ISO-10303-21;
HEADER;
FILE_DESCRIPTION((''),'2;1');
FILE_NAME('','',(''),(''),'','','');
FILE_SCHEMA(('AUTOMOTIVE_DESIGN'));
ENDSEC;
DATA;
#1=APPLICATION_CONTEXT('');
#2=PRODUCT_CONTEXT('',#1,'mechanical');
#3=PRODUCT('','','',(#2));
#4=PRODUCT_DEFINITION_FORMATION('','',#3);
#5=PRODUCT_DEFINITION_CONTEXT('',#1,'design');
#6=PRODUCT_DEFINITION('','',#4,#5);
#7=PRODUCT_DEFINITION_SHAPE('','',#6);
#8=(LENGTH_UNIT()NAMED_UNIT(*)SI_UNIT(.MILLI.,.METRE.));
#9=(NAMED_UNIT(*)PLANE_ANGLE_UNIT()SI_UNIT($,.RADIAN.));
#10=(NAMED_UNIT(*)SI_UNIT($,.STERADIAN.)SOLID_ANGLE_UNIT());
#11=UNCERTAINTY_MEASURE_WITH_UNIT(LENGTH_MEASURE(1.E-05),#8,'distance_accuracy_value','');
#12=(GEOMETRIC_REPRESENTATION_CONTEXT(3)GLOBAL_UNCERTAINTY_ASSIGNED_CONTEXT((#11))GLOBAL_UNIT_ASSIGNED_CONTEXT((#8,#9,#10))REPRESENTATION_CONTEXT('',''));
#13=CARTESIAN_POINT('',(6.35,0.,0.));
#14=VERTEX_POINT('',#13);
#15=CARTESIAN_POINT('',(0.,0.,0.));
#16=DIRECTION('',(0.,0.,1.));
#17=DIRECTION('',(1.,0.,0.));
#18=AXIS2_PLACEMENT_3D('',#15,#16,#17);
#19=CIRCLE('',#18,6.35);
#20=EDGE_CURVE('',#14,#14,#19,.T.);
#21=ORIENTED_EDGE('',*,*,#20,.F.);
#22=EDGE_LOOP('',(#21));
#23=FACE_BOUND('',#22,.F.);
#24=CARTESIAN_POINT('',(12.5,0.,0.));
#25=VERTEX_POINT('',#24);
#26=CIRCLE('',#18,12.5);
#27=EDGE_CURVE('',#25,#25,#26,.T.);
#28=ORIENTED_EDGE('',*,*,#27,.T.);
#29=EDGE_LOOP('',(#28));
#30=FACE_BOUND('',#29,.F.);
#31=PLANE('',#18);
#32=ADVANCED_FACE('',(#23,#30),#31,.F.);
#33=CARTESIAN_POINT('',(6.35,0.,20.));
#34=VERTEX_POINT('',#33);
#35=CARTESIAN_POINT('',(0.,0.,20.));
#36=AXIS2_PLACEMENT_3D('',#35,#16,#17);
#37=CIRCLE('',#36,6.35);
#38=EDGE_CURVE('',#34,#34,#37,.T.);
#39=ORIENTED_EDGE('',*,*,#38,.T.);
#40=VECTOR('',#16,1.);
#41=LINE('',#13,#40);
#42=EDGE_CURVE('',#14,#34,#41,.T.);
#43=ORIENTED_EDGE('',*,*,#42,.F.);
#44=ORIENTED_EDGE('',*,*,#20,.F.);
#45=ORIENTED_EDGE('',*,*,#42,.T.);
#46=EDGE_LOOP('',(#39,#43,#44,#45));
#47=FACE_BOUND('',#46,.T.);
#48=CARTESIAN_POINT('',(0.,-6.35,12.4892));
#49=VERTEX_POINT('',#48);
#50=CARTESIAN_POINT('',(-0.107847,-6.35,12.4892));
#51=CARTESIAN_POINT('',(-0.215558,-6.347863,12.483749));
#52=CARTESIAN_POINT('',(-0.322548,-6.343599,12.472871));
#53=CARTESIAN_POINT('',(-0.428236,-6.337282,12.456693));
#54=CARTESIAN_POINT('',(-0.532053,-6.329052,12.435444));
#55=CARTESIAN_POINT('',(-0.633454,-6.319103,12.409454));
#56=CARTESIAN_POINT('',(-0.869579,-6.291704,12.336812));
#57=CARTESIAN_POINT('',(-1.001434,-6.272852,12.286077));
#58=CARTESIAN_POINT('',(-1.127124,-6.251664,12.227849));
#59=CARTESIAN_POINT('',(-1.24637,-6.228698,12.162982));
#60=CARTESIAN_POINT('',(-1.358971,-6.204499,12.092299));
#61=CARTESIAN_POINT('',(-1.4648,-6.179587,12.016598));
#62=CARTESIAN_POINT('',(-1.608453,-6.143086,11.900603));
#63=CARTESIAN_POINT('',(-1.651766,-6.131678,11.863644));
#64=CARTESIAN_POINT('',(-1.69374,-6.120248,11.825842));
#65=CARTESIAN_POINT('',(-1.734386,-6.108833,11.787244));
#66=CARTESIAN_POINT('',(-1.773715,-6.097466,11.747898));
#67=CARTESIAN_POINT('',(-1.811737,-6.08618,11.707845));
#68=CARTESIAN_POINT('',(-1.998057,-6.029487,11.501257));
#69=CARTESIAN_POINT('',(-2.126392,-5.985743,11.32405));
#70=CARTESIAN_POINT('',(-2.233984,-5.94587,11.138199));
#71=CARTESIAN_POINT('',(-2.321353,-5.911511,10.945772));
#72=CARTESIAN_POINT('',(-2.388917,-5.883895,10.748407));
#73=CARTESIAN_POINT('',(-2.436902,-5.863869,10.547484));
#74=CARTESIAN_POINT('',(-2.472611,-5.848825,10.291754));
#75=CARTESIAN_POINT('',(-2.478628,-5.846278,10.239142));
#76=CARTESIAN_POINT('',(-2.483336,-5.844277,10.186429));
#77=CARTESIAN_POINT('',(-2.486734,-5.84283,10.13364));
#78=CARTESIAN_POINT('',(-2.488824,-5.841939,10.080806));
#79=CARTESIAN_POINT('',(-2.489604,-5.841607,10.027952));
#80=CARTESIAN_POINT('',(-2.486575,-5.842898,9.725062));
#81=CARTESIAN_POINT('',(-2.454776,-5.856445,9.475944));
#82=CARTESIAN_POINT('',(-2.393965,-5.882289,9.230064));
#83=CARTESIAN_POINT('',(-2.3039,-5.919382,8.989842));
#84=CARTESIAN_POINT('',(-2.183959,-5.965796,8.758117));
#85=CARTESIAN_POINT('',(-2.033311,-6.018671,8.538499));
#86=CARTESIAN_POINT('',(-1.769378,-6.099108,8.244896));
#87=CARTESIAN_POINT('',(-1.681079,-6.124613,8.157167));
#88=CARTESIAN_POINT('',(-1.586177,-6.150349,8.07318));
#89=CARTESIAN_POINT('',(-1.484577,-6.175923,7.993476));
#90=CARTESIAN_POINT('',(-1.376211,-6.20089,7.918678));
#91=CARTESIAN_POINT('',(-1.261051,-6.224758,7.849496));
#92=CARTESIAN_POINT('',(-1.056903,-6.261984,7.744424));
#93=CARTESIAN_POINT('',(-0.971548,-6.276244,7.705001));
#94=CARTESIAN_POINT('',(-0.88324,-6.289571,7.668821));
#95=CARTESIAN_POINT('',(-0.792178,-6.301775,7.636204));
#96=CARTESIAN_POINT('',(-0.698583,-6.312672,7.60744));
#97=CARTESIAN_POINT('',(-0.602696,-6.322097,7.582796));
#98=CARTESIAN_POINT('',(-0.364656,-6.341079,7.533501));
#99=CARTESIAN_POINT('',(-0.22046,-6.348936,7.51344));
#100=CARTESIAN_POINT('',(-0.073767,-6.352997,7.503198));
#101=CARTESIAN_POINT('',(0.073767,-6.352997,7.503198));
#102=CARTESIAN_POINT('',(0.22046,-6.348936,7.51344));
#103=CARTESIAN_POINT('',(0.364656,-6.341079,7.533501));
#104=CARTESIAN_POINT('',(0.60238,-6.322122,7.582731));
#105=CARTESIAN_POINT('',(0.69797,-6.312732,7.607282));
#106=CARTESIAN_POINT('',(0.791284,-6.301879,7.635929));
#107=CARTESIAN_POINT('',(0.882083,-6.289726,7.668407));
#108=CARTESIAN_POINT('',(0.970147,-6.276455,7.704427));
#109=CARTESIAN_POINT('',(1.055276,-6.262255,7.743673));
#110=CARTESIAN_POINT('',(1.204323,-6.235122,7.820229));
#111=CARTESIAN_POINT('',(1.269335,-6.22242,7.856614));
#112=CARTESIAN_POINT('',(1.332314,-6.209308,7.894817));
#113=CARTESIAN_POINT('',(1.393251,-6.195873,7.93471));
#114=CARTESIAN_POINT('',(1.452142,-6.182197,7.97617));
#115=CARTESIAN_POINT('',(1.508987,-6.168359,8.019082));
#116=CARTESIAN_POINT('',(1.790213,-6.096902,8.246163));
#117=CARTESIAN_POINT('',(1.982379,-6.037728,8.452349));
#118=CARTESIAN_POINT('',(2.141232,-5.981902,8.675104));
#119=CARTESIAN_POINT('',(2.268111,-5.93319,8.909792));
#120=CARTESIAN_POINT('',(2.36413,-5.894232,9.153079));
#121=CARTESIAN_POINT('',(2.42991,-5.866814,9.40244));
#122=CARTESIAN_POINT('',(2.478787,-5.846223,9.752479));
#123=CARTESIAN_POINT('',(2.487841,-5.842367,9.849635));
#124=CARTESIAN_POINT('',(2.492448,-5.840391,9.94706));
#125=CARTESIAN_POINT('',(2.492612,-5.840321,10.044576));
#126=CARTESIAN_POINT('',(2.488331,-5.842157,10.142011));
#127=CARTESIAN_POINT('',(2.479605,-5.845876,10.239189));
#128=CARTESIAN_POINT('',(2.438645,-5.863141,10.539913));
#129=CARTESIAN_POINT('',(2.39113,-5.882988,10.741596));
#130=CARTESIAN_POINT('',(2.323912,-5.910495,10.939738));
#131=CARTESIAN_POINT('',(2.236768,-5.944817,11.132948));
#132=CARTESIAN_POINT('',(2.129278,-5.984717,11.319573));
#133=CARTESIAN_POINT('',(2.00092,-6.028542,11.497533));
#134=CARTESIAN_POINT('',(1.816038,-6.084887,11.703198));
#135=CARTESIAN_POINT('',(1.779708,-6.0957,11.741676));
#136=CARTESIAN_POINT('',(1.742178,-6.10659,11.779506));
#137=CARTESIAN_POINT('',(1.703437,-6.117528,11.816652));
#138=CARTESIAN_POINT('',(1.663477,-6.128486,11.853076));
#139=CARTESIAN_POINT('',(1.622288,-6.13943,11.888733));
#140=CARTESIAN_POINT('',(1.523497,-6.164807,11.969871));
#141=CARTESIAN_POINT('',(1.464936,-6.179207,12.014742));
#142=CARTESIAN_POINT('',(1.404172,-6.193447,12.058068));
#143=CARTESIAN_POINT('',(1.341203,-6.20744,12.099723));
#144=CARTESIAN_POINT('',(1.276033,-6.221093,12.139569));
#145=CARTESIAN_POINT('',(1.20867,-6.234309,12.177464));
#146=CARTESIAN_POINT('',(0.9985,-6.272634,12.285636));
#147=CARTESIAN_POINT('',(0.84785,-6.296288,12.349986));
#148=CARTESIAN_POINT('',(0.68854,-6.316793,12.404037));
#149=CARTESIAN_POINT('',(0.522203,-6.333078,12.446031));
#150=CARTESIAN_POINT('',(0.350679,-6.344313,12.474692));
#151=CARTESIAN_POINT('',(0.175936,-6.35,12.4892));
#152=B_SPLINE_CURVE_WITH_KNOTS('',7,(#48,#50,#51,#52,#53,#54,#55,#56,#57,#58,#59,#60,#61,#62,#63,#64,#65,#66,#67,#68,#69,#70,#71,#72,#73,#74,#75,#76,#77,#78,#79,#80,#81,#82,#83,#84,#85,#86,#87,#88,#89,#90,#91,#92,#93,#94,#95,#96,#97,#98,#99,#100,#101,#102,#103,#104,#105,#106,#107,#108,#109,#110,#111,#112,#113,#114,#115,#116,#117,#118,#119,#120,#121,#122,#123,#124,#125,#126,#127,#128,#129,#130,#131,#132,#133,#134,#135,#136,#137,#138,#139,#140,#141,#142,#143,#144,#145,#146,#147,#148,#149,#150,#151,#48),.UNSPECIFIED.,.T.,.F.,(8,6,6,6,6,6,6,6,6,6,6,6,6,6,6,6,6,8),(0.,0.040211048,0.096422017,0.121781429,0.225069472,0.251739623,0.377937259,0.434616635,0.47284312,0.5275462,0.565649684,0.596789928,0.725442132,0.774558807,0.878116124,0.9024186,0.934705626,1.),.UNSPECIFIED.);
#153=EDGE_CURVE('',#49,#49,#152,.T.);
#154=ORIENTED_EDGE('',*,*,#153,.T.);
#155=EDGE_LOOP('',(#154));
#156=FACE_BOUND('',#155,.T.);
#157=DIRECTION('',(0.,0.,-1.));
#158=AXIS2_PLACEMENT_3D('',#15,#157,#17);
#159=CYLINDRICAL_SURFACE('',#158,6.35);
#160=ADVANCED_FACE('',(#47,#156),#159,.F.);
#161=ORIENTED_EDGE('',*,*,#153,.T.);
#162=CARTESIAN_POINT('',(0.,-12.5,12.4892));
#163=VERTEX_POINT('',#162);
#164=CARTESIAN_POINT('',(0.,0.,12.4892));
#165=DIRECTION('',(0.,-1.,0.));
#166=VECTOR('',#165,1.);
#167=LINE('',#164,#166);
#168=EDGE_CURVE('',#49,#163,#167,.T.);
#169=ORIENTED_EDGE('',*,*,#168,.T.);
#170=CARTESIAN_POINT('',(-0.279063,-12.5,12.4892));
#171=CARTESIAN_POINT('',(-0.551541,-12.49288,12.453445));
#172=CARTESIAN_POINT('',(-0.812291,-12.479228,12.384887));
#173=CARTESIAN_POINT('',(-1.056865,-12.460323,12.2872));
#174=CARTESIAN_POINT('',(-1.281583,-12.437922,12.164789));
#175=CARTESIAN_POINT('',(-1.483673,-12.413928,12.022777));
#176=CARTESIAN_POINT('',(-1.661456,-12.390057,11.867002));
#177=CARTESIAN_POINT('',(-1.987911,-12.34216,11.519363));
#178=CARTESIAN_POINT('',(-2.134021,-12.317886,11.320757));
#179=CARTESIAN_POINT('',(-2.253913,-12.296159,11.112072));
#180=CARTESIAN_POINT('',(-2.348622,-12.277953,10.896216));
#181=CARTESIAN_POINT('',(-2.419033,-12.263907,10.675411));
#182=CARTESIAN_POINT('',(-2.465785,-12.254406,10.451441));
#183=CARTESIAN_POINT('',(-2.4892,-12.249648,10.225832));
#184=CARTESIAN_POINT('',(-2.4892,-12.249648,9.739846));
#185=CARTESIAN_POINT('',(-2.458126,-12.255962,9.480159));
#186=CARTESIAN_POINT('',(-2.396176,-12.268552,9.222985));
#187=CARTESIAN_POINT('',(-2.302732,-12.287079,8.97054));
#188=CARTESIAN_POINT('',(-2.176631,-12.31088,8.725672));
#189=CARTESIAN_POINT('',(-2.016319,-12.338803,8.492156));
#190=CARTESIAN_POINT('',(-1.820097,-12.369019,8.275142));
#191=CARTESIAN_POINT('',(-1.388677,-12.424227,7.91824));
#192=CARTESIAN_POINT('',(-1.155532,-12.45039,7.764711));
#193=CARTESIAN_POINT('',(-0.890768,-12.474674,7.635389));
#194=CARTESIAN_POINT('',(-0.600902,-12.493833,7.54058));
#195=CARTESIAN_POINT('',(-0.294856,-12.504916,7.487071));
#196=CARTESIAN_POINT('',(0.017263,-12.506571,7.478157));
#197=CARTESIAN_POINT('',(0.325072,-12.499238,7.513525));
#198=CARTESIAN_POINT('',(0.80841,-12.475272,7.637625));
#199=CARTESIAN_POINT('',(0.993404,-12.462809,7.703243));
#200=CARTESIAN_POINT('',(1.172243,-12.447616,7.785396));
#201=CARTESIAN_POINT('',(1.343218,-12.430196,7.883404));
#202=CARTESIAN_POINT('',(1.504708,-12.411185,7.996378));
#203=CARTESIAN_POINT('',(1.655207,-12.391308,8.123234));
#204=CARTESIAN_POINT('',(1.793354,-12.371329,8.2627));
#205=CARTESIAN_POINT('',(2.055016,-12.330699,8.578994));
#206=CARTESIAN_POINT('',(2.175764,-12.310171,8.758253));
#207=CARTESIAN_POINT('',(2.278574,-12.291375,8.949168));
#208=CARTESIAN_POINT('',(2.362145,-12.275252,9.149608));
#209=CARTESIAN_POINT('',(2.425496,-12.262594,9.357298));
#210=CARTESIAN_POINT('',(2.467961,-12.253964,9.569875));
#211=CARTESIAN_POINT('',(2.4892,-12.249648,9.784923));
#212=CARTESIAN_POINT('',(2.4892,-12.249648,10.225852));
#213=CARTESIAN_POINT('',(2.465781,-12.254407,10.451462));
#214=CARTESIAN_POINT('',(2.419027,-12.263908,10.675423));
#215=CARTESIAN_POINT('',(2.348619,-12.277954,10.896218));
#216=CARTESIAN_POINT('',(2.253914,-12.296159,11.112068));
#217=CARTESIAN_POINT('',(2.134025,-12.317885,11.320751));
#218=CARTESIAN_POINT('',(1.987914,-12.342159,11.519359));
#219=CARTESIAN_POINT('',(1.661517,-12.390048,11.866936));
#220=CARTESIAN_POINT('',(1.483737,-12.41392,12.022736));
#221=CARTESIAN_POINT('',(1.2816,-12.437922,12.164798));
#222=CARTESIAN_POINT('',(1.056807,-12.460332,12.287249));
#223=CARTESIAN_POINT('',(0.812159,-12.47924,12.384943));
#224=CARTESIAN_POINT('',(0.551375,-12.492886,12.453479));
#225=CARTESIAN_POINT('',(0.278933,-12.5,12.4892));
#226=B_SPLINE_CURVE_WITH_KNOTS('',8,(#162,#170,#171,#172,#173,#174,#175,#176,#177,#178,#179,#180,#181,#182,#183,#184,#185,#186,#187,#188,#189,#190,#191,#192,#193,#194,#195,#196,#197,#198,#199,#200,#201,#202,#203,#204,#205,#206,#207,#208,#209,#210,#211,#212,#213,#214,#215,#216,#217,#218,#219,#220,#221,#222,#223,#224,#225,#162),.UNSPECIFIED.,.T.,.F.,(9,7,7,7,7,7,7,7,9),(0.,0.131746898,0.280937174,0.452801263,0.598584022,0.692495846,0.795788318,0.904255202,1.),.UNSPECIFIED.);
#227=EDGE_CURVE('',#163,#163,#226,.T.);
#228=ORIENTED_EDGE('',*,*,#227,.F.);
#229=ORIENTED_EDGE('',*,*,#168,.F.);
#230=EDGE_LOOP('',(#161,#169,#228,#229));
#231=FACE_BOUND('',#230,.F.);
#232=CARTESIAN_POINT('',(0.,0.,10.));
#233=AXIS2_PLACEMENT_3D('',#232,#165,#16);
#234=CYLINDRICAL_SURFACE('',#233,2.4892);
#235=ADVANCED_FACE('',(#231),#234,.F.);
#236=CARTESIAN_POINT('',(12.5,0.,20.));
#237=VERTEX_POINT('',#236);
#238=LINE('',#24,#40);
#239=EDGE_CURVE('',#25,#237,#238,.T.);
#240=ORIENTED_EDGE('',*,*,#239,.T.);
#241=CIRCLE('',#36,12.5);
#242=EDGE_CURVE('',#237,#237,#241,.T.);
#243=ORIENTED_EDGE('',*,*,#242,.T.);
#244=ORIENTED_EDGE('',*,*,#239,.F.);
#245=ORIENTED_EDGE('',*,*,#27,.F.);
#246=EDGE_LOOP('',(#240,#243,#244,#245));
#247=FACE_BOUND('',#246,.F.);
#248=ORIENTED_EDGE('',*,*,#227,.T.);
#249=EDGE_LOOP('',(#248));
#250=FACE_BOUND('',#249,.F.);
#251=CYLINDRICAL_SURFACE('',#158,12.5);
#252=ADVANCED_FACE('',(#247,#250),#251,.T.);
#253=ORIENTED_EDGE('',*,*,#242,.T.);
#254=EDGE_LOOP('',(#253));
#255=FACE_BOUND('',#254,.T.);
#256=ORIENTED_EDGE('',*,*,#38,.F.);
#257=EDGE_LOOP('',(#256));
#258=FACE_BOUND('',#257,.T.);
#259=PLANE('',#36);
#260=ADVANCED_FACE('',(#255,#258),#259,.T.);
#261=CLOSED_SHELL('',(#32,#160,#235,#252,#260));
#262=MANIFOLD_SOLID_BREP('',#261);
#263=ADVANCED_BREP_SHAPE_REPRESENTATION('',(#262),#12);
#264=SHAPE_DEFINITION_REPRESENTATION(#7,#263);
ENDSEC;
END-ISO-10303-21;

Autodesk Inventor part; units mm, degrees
ref_plane "YZ Plane" through (0, 0, 0) normal (1, 0, 0) x (0, 1, 0)
ref_plane "XZ Plane" through (0, 0, 0) normal (0, 1, 0) x (-1, 0, 0)
ref_plane "XY Plane" through (0, 0, 0) normal (0, 0, 1) x (1, 0, 0)
sketch "Sketch1" plane through (0, 0, 0) normal (0, 0, 1) x (1, 0, 0)
  circle A0 centre (0, 0) radius 12.5
  circle A1 centre (0, 0) radius 6.35
  dimension "d0" = 25
  dimension "d1" = 12.7
extrude "Extrusion1" add sketch "Sketch1" along normal blind 20
sketch "Sketch3" plane through (0, 0, 0) normal (0, 1, 0) x (-1, 0, 0)
  circle A0 centre (0, 10) radius 1.5
  point P0 (0, 0)
  dimension "d11" = 3
hole "Hole2" at (0, 0, 10) direction (0, -1, 0) diameter 4.9784 depth 19.05 tip angle 118 thread size "1/4-20 UNC" class "2B" standard "ANSI Unified Screw Threads"
properties part number "Handle Fix"
